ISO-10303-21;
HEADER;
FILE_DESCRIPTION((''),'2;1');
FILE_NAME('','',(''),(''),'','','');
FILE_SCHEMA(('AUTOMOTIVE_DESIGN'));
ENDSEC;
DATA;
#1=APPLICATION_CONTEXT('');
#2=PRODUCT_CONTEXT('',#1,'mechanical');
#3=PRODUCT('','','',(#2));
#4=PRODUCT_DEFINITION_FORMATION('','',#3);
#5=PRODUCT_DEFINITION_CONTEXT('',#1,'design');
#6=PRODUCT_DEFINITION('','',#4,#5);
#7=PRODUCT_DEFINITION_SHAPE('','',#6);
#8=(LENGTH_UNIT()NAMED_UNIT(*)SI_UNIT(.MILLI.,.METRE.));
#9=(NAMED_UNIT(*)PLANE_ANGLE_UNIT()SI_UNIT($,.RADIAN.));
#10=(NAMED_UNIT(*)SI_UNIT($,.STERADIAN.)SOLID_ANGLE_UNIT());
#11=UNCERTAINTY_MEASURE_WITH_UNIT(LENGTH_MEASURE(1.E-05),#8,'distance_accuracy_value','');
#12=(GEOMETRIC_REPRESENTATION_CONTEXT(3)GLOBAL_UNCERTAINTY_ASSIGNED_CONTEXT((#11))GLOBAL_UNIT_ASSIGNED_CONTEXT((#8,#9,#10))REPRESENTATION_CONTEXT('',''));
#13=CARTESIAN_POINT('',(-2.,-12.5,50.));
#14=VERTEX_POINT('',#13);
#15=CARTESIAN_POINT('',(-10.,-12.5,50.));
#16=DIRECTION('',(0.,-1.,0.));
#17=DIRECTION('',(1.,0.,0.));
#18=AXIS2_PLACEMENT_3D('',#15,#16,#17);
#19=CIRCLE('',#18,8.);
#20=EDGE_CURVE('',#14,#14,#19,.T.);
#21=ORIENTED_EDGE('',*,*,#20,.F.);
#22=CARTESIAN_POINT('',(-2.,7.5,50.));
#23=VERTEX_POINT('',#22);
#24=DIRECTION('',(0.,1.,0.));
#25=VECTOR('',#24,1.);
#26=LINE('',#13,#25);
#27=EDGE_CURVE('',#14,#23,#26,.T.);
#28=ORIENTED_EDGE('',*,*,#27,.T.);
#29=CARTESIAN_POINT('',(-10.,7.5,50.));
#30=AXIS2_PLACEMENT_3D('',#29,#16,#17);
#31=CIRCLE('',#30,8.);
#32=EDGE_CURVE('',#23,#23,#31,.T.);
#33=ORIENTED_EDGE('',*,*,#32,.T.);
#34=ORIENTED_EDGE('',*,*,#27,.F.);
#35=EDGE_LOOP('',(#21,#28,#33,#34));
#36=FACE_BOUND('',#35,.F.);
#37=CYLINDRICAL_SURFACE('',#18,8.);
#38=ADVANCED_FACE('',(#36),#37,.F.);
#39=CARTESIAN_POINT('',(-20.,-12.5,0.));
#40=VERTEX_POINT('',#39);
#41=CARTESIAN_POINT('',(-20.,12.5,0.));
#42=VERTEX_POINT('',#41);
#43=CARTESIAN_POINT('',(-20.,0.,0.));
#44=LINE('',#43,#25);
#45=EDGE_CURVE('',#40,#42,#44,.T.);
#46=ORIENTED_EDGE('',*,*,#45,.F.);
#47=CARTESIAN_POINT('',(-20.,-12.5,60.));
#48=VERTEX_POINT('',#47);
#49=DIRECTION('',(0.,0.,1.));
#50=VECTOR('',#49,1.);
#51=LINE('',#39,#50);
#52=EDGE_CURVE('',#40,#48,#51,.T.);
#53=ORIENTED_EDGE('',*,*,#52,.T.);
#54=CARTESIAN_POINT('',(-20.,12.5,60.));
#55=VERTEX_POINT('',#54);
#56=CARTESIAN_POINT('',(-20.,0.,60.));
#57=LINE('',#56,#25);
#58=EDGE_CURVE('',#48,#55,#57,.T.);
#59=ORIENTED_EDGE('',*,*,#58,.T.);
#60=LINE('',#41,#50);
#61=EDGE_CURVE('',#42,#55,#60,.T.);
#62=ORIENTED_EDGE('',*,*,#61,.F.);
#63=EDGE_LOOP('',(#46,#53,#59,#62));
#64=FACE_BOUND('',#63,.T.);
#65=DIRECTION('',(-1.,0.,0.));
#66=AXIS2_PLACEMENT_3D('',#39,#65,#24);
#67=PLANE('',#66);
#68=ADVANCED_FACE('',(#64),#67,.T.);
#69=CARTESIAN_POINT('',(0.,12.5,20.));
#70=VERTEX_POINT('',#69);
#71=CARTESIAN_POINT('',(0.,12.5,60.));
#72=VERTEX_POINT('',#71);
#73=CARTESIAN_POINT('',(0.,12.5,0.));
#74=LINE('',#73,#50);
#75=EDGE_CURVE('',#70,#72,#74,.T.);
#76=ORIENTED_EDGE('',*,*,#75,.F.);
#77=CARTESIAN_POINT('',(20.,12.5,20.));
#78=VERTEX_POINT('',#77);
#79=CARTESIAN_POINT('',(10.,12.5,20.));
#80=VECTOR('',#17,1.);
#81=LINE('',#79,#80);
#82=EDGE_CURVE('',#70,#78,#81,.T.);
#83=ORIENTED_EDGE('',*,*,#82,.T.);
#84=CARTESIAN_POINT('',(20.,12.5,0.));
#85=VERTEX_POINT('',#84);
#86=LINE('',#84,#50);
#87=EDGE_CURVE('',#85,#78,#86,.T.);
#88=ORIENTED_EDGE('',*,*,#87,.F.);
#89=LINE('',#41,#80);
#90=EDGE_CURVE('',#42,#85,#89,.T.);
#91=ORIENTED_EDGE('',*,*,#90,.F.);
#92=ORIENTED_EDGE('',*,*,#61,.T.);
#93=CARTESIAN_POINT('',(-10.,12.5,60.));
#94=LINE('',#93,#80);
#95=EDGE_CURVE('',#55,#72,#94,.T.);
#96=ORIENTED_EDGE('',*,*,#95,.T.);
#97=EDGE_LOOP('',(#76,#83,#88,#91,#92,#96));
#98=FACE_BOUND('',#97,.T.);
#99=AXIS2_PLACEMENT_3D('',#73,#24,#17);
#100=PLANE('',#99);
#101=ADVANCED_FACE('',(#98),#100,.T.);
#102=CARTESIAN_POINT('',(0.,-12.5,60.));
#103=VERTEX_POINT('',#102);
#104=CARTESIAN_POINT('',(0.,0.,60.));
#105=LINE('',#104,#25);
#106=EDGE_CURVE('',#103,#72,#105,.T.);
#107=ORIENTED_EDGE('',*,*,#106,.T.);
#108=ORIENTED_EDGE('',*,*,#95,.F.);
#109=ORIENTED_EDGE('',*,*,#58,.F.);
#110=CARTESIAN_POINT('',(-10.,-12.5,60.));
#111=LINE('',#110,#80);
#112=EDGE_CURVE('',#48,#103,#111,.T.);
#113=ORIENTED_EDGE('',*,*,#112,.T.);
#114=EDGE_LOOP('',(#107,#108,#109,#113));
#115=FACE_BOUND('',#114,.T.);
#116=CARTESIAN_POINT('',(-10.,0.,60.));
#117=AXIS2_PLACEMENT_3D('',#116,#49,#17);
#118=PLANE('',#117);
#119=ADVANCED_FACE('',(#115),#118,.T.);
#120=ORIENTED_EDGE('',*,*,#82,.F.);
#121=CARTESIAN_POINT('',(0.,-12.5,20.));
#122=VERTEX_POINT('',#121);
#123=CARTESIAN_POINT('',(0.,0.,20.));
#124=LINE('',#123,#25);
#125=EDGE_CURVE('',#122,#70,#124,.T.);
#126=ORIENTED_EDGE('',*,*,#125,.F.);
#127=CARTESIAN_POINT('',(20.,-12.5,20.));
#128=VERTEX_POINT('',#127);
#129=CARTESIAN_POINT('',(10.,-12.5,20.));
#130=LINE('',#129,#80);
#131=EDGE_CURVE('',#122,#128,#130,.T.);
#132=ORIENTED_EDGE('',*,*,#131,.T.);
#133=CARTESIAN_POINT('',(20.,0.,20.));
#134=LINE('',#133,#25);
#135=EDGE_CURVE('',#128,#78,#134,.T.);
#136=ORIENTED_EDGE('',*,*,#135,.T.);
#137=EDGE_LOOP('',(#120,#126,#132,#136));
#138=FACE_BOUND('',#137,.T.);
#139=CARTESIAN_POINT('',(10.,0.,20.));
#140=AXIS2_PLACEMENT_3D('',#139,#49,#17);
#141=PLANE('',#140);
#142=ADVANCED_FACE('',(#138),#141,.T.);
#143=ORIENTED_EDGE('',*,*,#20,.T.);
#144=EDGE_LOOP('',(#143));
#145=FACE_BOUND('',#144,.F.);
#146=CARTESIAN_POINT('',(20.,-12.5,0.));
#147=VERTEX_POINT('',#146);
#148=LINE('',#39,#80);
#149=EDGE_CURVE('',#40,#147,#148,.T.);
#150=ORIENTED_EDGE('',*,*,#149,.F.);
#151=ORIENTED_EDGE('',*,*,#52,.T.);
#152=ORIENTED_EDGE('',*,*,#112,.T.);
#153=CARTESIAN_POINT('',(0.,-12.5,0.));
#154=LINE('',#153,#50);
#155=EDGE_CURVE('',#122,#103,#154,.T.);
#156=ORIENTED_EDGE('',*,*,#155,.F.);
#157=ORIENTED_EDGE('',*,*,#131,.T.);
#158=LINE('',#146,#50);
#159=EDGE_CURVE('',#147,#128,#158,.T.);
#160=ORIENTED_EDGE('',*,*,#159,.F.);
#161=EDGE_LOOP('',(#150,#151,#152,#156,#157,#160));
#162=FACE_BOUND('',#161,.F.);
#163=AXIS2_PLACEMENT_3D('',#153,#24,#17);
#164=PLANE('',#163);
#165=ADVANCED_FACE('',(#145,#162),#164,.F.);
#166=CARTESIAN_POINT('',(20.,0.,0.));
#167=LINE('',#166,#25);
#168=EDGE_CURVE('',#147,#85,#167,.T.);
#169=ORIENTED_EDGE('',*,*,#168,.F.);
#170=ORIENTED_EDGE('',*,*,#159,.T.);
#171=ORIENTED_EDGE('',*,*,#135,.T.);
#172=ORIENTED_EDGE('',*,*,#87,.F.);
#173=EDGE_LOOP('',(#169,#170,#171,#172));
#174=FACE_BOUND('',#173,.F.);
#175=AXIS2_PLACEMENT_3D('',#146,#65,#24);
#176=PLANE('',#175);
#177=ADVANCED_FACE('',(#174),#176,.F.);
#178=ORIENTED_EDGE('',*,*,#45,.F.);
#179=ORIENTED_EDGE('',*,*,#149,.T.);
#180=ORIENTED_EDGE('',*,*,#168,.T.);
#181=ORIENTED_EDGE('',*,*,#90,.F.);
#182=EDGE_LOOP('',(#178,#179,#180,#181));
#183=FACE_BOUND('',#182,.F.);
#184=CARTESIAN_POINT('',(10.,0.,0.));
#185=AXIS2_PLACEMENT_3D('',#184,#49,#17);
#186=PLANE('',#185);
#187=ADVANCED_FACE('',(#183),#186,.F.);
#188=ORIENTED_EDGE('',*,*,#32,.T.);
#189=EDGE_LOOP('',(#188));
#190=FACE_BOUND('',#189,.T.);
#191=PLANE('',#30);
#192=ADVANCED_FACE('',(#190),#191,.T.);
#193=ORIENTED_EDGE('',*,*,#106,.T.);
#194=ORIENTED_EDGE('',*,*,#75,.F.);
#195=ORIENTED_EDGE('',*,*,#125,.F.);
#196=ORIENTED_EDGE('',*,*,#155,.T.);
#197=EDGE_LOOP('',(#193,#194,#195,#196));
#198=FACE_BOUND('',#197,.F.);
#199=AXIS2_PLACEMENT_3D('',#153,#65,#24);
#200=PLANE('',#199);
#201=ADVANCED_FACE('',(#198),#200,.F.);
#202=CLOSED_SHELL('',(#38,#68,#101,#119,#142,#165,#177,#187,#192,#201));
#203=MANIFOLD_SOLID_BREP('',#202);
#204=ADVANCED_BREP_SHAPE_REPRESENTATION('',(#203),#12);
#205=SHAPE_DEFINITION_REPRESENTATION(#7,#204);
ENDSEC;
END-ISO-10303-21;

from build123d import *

# Parameters (mm, degrees)
F0_W     = 20
F0_H     = 25
F1_DEPTH = 60
F2_DEPTH = 20
F3_R     = 8
F4_DEPTH = 20


with BuildPart() as f1:
    # F0 (on Top) → F1 (new body)
    with BuildSketch(Plane.XY):
        with Locations((-10, 0)):
            Rectangle(F0_W, F0_H)
    extrude(amount=F1_DEPTH)

    # F0 (on Top) → F2 (join)
    with BuildSketch(Plane.XY):
        with Locations((10, 0)):
            Rectangle(F0_W, F0_H)
    extrude(amount=F2_DEPTH)

    # F3 (on face) → F4 (cut)
    with BuildSketch(Plane.XZ.offset(12.5)):
        with Locations((-10, 50)):
            Circle(F3_R)
    extrude(amount=-F4_DEPTH, mode=Mode.SUBTRACT)


solid = f1.part
